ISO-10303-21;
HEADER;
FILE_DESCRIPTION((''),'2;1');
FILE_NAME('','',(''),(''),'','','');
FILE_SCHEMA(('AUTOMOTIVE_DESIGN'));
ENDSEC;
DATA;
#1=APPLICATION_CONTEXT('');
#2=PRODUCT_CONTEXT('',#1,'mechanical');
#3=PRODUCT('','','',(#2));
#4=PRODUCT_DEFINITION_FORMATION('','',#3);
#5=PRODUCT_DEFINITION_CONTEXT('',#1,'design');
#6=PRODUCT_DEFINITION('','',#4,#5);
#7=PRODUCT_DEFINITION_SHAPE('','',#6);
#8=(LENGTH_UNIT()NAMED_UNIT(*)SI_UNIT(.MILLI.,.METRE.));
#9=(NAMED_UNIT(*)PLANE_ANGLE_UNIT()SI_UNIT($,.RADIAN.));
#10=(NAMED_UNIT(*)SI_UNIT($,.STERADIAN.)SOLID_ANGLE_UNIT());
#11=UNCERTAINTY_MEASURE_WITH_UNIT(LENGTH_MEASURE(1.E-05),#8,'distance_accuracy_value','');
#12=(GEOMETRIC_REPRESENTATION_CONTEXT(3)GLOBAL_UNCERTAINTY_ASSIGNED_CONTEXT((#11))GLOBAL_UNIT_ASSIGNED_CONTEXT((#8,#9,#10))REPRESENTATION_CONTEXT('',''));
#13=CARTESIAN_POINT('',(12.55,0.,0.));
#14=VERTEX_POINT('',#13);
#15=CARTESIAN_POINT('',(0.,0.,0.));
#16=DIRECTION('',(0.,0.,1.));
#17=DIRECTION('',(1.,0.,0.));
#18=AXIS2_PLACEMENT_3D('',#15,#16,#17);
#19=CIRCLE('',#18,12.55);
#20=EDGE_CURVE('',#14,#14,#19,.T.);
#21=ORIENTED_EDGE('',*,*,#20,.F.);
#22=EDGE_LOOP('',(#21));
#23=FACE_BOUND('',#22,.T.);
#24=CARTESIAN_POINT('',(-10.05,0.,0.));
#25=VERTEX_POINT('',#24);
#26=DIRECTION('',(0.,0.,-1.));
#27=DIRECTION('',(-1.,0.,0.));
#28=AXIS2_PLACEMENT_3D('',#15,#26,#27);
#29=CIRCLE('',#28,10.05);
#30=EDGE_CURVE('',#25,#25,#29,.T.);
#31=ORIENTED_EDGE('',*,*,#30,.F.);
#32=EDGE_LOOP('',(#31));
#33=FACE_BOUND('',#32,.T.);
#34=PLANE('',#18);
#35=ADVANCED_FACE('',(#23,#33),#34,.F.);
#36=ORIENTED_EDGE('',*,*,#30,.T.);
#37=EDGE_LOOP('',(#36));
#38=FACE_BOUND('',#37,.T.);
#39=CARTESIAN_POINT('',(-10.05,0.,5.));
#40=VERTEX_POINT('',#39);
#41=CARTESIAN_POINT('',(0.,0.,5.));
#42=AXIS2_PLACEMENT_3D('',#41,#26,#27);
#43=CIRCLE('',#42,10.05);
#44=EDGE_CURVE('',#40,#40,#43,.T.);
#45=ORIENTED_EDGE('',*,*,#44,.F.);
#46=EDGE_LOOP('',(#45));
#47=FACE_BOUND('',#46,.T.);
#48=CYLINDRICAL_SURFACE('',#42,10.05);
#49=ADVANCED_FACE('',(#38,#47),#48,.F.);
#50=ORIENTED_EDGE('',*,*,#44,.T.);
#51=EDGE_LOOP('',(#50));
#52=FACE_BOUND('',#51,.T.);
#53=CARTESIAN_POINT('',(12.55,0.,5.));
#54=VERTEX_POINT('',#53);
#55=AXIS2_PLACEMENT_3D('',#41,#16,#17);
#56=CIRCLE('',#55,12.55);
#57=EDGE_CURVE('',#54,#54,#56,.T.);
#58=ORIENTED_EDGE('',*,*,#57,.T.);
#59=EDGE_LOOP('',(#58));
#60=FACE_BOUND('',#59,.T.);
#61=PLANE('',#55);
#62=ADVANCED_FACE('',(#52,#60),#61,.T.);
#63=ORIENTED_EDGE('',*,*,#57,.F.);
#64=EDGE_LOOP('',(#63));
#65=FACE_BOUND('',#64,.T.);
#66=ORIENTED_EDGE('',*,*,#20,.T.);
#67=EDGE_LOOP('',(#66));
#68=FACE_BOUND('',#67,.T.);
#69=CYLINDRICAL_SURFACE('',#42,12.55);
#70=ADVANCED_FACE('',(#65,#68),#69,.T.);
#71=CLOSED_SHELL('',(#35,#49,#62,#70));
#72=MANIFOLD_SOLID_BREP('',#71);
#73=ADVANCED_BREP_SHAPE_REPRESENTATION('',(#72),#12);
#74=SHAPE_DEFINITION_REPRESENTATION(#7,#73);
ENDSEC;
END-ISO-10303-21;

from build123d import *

# Parameters (mm, degrees)
SKETCH_1_R          = 12.55
EXTRUDE_1_DEPTH     = 5
SKETCH_2_R          = 10.05
CUT_EXTRUDE_1_DEPTH = 5


with BuildPart() as part:
    # 草图1 → 凸台-拉伸1 (new body)
    with BuildSketch(Plane.XY):
        Circle(SKETCH_1_R)
    extrude(amount=EXTRUDE_1_DEPTH)

    # 草图2 → 切除-拉伸1 (cut)
    with BuildSketch(Plane(origin=(0, 0, 0), x_dir=(-1, 0, 0), z_dir=(0, 0, -1))):
        Circle(SKETCH_2_R)
    extrude(amount=-CUT_EXTRUDE_1_DEPTH, mode=Mode.SUBTRACT)


solid = part.part
